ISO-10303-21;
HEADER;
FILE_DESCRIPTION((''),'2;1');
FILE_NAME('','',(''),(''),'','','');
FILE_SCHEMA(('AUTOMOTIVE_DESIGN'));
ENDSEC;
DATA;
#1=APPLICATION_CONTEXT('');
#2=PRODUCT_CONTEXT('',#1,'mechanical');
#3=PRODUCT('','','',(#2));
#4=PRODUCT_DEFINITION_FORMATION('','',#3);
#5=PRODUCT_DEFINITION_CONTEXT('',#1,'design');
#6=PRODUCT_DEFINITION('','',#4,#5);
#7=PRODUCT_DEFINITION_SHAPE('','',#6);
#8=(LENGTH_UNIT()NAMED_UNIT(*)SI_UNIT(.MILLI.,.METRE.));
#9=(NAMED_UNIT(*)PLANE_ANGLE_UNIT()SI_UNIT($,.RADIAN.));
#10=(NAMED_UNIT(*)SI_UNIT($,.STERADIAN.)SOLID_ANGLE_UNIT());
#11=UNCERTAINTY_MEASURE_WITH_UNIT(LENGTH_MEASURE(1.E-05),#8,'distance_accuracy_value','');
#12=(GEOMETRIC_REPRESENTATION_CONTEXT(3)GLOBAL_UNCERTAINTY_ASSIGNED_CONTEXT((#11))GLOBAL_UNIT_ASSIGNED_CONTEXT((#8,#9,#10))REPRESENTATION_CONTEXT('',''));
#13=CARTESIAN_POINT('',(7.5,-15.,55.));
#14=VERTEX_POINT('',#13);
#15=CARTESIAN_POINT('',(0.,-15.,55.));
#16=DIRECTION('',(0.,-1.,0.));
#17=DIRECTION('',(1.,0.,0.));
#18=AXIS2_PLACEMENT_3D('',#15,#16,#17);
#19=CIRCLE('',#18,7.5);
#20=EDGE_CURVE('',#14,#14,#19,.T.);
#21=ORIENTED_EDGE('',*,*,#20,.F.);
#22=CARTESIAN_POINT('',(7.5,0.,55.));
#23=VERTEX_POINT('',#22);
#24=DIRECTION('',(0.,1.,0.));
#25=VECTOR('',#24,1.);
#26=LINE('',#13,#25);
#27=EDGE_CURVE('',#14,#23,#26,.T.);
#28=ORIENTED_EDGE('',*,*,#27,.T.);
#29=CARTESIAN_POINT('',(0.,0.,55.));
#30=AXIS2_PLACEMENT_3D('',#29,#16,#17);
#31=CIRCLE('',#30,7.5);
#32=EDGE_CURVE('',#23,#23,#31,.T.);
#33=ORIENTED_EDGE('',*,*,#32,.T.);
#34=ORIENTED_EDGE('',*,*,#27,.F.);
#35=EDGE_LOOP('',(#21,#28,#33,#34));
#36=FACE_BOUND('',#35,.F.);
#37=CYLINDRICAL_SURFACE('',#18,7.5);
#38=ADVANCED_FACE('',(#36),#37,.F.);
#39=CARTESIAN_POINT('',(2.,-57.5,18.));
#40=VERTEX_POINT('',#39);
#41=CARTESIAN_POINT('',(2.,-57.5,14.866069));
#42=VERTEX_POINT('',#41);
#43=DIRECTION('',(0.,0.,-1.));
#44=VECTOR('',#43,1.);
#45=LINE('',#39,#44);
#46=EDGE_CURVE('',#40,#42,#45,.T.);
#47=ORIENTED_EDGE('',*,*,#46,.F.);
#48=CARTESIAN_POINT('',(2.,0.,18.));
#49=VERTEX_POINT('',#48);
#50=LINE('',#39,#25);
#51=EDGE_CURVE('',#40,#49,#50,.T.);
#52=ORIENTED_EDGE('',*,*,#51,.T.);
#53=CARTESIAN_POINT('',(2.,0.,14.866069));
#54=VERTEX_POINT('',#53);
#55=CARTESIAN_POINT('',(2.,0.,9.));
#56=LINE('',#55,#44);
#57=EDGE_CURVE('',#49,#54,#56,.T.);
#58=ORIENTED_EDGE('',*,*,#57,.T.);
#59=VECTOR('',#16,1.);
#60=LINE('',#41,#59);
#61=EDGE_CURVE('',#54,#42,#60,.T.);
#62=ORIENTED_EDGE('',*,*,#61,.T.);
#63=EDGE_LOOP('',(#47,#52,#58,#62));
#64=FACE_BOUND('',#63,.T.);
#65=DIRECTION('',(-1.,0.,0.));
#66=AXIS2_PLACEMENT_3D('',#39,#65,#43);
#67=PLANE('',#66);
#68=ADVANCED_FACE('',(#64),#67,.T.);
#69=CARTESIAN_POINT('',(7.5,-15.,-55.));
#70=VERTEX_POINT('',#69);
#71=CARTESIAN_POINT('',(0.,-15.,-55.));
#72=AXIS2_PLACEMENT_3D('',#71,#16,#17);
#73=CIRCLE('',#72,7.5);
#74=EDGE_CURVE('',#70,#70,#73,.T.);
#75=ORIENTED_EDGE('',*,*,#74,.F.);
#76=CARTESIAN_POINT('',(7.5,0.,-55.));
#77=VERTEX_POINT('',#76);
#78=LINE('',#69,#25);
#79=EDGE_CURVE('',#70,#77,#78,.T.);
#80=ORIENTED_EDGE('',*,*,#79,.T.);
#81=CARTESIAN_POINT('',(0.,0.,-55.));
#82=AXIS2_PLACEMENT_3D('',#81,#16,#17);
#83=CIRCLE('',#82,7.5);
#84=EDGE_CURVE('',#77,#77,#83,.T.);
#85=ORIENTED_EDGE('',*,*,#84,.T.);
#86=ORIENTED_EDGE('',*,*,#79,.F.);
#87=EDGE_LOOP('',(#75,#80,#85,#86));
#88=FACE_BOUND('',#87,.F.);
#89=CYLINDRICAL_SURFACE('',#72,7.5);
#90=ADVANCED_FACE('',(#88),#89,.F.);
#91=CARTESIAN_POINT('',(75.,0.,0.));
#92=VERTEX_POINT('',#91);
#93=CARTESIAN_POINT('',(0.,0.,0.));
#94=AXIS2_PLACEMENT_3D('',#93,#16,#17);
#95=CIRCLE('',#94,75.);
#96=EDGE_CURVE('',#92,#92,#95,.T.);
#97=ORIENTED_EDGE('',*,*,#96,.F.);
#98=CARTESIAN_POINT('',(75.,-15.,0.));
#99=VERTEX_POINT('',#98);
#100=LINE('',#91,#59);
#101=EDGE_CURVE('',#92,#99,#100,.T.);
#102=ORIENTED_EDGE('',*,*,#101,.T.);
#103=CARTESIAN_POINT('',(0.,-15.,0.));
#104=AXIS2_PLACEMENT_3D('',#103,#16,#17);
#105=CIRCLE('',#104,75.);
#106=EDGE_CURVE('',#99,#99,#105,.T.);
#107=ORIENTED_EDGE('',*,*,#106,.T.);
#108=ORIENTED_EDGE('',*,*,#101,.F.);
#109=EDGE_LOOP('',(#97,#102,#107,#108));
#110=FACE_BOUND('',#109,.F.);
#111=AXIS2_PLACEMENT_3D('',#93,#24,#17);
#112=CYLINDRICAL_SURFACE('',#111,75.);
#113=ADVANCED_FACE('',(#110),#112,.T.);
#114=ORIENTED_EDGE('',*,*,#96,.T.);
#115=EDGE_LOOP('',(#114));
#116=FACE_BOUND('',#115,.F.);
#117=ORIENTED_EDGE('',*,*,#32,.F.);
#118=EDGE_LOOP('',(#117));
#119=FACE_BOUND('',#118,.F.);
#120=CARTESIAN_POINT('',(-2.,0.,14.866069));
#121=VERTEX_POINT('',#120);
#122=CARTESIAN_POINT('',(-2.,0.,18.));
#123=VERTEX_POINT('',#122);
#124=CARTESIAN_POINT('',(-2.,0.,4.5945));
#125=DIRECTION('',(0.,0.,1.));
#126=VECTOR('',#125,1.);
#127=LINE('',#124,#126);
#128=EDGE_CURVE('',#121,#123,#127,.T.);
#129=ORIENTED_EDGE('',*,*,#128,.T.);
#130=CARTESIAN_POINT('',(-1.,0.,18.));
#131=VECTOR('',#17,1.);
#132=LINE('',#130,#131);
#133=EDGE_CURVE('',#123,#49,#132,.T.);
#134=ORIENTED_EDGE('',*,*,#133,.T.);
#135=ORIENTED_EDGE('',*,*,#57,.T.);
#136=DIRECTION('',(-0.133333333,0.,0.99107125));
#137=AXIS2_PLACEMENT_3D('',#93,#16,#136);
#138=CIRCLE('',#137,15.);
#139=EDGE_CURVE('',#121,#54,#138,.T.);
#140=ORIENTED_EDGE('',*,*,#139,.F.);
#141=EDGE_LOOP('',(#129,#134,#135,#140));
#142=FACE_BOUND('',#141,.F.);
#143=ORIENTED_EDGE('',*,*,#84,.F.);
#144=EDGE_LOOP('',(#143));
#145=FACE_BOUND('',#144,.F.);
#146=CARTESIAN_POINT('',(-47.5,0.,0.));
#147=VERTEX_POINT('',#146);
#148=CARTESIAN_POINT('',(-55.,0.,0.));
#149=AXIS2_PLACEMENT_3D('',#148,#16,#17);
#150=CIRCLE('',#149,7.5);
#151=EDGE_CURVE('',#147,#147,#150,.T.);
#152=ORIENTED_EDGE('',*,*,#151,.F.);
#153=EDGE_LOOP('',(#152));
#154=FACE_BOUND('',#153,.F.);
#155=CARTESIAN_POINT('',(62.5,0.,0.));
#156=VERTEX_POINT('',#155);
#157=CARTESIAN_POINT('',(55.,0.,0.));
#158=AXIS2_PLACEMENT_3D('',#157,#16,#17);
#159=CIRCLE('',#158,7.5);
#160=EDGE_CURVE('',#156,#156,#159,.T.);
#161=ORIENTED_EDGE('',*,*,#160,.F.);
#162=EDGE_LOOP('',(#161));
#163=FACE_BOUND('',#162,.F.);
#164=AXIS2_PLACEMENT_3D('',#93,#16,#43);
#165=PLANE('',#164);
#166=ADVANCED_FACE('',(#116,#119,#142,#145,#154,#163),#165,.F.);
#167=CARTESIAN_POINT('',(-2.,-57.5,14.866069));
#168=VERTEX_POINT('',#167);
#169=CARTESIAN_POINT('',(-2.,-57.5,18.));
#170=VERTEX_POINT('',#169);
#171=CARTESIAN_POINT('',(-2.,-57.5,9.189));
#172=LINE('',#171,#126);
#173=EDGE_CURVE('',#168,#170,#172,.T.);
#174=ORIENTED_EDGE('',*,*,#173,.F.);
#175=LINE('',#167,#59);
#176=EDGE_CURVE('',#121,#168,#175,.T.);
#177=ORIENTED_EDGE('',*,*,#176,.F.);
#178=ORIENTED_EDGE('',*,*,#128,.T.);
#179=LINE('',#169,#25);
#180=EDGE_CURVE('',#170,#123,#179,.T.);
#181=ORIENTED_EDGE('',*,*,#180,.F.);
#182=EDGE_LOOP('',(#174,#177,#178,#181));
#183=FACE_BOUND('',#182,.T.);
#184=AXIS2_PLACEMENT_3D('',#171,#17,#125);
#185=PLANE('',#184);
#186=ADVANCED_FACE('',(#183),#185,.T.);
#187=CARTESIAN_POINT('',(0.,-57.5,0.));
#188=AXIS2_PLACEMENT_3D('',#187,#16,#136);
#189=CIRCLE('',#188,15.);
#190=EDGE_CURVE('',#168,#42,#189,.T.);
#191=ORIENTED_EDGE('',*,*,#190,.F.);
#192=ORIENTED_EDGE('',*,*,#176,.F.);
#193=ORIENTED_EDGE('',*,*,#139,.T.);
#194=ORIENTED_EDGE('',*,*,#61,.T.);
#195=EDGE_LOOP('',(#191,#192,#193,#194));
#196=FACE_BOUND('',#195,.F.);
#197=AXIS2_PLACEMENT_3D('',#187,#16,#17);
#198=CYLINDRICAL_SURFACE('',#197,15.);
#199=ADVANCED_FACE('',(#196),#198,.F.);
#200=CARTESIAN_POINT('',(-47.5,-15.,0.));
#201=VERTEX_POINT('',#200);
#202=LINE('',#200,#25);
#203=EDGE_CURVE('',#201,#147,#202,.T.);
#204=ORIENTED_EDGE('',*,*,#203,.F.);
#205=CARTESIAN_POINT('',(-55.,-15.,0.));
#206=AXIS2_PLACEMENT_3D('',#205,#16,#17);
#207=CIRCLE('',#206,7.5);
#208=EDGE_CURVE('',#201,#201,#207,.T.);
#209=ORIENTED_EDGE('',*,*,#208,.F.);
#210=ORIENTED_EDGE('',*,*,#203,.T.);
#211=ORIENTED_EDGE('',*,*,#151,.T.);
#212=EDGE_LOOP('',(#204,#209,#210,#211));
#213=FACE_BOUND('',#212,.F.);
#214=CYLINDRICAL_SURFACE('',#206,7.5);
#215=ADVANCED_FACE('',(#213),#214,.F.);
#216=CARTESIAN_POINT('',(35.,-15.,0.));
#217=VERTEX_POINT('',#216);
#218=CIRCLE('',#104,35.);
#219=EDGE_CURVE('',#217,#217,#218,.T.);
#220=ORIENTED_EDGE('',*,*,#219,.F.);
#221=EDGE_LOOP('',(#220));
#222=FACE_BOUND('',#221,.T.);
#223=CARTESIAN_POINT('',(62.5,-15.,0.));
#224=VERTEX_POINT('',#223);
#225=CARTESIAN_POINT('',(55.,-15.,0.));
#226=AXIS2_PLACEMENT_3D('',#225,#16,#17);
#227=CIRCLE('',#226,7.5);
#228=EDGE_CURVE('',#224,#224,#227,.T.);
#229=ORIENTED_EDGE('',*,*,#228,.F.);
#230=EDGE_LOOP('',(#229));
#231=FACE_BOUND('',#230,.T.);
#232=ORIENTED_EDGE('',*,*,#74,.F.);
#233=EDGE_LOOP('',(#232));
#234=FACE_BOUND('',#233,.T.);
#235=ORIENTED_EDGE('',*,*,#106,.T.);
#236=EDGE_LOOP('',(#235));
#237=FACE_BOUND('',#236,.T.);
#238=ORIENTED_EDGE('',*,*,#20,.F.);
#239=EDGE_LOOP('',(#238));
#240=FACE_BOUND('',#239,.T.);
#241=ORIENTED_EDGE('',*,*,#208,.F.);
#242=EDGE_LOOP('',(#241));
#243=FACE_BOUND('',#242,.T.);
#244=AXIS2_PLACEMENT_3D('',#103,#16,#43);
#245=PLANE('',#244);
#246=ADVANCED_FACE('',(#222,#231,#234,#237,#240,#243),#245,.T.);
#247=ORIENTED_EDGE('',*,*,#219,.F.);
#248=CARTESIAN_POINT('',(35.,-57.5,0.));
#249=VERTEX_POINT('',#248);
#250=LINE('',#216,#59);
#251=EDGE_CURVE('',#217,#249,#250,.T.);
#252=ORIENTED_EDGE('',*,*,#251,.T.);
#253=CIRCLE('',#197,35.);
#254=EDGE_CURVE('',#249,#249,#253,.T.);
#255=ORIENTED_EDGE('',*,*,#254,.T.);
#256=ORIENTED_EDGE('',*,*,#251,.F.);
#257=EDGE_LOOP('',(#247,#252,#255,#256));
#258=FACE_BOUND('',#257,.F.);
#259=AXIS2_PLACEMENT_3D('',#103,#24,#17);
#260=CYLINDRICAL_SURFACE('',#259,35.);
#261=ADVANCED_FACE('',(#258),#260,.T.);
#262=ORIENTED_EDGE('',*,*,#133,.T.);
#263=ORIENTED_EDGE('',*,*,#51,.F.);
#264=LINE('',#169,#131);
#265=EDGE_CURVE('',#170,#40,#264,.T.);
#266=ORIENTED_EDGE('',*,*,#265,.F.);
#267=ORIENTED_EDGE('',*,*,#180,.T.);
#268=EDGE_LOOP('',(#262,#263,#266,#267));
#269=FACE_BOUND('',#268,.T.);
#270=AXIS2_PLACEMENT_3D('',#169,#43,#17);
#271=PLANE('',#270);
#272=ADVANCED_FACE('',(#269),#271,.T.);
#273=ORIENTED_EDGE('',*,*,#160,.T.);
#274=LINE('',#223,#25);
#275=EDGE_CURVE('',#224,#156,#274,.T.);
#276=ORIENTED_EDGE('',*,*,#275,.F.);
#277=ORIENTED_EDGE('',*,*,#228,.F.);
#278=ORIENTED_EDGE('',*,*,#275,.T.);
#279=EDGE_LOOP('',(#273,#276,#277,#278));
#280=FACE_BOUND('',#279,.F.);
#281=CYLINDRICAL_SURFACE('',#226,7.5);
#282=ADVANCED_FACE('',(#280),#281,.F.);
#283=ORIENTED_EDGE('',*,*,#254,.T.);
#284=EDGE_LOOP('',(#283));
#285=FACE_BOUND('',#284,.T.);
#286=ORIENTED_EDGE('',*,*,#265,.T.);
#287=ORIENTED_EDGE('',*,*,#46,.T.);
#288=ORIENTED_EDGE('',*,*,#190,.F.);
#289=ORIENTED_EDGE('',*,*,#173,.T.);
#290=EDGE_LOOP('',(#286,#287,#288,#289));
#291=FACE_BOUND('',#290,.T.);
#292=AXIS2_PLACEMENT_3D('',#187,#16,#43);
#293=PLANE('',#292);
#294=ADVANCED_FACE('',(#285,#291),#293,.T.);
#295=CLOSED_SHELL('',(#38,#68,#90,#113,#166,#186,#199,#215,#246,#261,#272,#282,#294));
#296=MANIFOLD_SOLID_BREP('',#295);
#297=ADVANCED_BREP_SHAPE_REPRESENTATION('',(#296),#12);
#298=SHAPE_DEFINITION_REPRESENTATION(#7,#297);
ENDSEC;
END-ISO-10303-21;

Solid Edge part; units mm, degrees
sketch "Sketch1" plane through (0, 0, 0) normal (0, -1, 0) x (1, 0, 0)
  circle A0 centre (0, 0) radius 75
extrude "Protrusion1" add sketch "Sketch1" along normal blind 15
sketch "Sketch2" plane through (0, -15, 0) normal (0, -1, 0) x (1, 0, 0)
  circle A0 centre (0, 0) radius 35
extrude "ExtrudedProtrusion_2" add sketch "Sketch2" along normal blind 42.5
sketch "Sketch3" plane through (0, -57.5, 0) normal (0, -1, 0) x (1, 0, 0)
  circle A0 centre (0, 0) radius 15
extrude "ExtrudedCutout_1" cut sketch "Sketch3" against normal blind 241.6449
sketch "Sketch4" plane through (0, -57.5, 0) normal (0, -1, 0) x (1, 0, 0)
  line L0 (-2, 18) -> (2, 18)
  line L1 (2, 18) -> (2, 9.189)
  line L2 (2, 9.189) -> (-2, 9.189)
  line L3 (-2, 9.189) -> (-2, 18)
  dimension "D1" = 4
  dimension "D2" = 3
extrude "ExtrudedCutout_2" cut sketch "Sketch4" against normal blind 185.7022
sketch "Sketch5" plane through (0, -15, 0) normal (0, -1, 0) x (1, 0, 0)
  circle A0 centre (55, 0) radius 7.5
  circle A1 centre (0, -55) radius 7.5
  circle A2 centre (-55, 0) radius 7.5
  circle A3 centre (0, 55) radius 7.5
  dimension "D1" = 15
  dimension "D2" = 15
  dimension "D3" = 15
extrude "ExtrudedCutout_3" cut sketch "Sketch5" against normal blind 96.4879
properties part number "2"
